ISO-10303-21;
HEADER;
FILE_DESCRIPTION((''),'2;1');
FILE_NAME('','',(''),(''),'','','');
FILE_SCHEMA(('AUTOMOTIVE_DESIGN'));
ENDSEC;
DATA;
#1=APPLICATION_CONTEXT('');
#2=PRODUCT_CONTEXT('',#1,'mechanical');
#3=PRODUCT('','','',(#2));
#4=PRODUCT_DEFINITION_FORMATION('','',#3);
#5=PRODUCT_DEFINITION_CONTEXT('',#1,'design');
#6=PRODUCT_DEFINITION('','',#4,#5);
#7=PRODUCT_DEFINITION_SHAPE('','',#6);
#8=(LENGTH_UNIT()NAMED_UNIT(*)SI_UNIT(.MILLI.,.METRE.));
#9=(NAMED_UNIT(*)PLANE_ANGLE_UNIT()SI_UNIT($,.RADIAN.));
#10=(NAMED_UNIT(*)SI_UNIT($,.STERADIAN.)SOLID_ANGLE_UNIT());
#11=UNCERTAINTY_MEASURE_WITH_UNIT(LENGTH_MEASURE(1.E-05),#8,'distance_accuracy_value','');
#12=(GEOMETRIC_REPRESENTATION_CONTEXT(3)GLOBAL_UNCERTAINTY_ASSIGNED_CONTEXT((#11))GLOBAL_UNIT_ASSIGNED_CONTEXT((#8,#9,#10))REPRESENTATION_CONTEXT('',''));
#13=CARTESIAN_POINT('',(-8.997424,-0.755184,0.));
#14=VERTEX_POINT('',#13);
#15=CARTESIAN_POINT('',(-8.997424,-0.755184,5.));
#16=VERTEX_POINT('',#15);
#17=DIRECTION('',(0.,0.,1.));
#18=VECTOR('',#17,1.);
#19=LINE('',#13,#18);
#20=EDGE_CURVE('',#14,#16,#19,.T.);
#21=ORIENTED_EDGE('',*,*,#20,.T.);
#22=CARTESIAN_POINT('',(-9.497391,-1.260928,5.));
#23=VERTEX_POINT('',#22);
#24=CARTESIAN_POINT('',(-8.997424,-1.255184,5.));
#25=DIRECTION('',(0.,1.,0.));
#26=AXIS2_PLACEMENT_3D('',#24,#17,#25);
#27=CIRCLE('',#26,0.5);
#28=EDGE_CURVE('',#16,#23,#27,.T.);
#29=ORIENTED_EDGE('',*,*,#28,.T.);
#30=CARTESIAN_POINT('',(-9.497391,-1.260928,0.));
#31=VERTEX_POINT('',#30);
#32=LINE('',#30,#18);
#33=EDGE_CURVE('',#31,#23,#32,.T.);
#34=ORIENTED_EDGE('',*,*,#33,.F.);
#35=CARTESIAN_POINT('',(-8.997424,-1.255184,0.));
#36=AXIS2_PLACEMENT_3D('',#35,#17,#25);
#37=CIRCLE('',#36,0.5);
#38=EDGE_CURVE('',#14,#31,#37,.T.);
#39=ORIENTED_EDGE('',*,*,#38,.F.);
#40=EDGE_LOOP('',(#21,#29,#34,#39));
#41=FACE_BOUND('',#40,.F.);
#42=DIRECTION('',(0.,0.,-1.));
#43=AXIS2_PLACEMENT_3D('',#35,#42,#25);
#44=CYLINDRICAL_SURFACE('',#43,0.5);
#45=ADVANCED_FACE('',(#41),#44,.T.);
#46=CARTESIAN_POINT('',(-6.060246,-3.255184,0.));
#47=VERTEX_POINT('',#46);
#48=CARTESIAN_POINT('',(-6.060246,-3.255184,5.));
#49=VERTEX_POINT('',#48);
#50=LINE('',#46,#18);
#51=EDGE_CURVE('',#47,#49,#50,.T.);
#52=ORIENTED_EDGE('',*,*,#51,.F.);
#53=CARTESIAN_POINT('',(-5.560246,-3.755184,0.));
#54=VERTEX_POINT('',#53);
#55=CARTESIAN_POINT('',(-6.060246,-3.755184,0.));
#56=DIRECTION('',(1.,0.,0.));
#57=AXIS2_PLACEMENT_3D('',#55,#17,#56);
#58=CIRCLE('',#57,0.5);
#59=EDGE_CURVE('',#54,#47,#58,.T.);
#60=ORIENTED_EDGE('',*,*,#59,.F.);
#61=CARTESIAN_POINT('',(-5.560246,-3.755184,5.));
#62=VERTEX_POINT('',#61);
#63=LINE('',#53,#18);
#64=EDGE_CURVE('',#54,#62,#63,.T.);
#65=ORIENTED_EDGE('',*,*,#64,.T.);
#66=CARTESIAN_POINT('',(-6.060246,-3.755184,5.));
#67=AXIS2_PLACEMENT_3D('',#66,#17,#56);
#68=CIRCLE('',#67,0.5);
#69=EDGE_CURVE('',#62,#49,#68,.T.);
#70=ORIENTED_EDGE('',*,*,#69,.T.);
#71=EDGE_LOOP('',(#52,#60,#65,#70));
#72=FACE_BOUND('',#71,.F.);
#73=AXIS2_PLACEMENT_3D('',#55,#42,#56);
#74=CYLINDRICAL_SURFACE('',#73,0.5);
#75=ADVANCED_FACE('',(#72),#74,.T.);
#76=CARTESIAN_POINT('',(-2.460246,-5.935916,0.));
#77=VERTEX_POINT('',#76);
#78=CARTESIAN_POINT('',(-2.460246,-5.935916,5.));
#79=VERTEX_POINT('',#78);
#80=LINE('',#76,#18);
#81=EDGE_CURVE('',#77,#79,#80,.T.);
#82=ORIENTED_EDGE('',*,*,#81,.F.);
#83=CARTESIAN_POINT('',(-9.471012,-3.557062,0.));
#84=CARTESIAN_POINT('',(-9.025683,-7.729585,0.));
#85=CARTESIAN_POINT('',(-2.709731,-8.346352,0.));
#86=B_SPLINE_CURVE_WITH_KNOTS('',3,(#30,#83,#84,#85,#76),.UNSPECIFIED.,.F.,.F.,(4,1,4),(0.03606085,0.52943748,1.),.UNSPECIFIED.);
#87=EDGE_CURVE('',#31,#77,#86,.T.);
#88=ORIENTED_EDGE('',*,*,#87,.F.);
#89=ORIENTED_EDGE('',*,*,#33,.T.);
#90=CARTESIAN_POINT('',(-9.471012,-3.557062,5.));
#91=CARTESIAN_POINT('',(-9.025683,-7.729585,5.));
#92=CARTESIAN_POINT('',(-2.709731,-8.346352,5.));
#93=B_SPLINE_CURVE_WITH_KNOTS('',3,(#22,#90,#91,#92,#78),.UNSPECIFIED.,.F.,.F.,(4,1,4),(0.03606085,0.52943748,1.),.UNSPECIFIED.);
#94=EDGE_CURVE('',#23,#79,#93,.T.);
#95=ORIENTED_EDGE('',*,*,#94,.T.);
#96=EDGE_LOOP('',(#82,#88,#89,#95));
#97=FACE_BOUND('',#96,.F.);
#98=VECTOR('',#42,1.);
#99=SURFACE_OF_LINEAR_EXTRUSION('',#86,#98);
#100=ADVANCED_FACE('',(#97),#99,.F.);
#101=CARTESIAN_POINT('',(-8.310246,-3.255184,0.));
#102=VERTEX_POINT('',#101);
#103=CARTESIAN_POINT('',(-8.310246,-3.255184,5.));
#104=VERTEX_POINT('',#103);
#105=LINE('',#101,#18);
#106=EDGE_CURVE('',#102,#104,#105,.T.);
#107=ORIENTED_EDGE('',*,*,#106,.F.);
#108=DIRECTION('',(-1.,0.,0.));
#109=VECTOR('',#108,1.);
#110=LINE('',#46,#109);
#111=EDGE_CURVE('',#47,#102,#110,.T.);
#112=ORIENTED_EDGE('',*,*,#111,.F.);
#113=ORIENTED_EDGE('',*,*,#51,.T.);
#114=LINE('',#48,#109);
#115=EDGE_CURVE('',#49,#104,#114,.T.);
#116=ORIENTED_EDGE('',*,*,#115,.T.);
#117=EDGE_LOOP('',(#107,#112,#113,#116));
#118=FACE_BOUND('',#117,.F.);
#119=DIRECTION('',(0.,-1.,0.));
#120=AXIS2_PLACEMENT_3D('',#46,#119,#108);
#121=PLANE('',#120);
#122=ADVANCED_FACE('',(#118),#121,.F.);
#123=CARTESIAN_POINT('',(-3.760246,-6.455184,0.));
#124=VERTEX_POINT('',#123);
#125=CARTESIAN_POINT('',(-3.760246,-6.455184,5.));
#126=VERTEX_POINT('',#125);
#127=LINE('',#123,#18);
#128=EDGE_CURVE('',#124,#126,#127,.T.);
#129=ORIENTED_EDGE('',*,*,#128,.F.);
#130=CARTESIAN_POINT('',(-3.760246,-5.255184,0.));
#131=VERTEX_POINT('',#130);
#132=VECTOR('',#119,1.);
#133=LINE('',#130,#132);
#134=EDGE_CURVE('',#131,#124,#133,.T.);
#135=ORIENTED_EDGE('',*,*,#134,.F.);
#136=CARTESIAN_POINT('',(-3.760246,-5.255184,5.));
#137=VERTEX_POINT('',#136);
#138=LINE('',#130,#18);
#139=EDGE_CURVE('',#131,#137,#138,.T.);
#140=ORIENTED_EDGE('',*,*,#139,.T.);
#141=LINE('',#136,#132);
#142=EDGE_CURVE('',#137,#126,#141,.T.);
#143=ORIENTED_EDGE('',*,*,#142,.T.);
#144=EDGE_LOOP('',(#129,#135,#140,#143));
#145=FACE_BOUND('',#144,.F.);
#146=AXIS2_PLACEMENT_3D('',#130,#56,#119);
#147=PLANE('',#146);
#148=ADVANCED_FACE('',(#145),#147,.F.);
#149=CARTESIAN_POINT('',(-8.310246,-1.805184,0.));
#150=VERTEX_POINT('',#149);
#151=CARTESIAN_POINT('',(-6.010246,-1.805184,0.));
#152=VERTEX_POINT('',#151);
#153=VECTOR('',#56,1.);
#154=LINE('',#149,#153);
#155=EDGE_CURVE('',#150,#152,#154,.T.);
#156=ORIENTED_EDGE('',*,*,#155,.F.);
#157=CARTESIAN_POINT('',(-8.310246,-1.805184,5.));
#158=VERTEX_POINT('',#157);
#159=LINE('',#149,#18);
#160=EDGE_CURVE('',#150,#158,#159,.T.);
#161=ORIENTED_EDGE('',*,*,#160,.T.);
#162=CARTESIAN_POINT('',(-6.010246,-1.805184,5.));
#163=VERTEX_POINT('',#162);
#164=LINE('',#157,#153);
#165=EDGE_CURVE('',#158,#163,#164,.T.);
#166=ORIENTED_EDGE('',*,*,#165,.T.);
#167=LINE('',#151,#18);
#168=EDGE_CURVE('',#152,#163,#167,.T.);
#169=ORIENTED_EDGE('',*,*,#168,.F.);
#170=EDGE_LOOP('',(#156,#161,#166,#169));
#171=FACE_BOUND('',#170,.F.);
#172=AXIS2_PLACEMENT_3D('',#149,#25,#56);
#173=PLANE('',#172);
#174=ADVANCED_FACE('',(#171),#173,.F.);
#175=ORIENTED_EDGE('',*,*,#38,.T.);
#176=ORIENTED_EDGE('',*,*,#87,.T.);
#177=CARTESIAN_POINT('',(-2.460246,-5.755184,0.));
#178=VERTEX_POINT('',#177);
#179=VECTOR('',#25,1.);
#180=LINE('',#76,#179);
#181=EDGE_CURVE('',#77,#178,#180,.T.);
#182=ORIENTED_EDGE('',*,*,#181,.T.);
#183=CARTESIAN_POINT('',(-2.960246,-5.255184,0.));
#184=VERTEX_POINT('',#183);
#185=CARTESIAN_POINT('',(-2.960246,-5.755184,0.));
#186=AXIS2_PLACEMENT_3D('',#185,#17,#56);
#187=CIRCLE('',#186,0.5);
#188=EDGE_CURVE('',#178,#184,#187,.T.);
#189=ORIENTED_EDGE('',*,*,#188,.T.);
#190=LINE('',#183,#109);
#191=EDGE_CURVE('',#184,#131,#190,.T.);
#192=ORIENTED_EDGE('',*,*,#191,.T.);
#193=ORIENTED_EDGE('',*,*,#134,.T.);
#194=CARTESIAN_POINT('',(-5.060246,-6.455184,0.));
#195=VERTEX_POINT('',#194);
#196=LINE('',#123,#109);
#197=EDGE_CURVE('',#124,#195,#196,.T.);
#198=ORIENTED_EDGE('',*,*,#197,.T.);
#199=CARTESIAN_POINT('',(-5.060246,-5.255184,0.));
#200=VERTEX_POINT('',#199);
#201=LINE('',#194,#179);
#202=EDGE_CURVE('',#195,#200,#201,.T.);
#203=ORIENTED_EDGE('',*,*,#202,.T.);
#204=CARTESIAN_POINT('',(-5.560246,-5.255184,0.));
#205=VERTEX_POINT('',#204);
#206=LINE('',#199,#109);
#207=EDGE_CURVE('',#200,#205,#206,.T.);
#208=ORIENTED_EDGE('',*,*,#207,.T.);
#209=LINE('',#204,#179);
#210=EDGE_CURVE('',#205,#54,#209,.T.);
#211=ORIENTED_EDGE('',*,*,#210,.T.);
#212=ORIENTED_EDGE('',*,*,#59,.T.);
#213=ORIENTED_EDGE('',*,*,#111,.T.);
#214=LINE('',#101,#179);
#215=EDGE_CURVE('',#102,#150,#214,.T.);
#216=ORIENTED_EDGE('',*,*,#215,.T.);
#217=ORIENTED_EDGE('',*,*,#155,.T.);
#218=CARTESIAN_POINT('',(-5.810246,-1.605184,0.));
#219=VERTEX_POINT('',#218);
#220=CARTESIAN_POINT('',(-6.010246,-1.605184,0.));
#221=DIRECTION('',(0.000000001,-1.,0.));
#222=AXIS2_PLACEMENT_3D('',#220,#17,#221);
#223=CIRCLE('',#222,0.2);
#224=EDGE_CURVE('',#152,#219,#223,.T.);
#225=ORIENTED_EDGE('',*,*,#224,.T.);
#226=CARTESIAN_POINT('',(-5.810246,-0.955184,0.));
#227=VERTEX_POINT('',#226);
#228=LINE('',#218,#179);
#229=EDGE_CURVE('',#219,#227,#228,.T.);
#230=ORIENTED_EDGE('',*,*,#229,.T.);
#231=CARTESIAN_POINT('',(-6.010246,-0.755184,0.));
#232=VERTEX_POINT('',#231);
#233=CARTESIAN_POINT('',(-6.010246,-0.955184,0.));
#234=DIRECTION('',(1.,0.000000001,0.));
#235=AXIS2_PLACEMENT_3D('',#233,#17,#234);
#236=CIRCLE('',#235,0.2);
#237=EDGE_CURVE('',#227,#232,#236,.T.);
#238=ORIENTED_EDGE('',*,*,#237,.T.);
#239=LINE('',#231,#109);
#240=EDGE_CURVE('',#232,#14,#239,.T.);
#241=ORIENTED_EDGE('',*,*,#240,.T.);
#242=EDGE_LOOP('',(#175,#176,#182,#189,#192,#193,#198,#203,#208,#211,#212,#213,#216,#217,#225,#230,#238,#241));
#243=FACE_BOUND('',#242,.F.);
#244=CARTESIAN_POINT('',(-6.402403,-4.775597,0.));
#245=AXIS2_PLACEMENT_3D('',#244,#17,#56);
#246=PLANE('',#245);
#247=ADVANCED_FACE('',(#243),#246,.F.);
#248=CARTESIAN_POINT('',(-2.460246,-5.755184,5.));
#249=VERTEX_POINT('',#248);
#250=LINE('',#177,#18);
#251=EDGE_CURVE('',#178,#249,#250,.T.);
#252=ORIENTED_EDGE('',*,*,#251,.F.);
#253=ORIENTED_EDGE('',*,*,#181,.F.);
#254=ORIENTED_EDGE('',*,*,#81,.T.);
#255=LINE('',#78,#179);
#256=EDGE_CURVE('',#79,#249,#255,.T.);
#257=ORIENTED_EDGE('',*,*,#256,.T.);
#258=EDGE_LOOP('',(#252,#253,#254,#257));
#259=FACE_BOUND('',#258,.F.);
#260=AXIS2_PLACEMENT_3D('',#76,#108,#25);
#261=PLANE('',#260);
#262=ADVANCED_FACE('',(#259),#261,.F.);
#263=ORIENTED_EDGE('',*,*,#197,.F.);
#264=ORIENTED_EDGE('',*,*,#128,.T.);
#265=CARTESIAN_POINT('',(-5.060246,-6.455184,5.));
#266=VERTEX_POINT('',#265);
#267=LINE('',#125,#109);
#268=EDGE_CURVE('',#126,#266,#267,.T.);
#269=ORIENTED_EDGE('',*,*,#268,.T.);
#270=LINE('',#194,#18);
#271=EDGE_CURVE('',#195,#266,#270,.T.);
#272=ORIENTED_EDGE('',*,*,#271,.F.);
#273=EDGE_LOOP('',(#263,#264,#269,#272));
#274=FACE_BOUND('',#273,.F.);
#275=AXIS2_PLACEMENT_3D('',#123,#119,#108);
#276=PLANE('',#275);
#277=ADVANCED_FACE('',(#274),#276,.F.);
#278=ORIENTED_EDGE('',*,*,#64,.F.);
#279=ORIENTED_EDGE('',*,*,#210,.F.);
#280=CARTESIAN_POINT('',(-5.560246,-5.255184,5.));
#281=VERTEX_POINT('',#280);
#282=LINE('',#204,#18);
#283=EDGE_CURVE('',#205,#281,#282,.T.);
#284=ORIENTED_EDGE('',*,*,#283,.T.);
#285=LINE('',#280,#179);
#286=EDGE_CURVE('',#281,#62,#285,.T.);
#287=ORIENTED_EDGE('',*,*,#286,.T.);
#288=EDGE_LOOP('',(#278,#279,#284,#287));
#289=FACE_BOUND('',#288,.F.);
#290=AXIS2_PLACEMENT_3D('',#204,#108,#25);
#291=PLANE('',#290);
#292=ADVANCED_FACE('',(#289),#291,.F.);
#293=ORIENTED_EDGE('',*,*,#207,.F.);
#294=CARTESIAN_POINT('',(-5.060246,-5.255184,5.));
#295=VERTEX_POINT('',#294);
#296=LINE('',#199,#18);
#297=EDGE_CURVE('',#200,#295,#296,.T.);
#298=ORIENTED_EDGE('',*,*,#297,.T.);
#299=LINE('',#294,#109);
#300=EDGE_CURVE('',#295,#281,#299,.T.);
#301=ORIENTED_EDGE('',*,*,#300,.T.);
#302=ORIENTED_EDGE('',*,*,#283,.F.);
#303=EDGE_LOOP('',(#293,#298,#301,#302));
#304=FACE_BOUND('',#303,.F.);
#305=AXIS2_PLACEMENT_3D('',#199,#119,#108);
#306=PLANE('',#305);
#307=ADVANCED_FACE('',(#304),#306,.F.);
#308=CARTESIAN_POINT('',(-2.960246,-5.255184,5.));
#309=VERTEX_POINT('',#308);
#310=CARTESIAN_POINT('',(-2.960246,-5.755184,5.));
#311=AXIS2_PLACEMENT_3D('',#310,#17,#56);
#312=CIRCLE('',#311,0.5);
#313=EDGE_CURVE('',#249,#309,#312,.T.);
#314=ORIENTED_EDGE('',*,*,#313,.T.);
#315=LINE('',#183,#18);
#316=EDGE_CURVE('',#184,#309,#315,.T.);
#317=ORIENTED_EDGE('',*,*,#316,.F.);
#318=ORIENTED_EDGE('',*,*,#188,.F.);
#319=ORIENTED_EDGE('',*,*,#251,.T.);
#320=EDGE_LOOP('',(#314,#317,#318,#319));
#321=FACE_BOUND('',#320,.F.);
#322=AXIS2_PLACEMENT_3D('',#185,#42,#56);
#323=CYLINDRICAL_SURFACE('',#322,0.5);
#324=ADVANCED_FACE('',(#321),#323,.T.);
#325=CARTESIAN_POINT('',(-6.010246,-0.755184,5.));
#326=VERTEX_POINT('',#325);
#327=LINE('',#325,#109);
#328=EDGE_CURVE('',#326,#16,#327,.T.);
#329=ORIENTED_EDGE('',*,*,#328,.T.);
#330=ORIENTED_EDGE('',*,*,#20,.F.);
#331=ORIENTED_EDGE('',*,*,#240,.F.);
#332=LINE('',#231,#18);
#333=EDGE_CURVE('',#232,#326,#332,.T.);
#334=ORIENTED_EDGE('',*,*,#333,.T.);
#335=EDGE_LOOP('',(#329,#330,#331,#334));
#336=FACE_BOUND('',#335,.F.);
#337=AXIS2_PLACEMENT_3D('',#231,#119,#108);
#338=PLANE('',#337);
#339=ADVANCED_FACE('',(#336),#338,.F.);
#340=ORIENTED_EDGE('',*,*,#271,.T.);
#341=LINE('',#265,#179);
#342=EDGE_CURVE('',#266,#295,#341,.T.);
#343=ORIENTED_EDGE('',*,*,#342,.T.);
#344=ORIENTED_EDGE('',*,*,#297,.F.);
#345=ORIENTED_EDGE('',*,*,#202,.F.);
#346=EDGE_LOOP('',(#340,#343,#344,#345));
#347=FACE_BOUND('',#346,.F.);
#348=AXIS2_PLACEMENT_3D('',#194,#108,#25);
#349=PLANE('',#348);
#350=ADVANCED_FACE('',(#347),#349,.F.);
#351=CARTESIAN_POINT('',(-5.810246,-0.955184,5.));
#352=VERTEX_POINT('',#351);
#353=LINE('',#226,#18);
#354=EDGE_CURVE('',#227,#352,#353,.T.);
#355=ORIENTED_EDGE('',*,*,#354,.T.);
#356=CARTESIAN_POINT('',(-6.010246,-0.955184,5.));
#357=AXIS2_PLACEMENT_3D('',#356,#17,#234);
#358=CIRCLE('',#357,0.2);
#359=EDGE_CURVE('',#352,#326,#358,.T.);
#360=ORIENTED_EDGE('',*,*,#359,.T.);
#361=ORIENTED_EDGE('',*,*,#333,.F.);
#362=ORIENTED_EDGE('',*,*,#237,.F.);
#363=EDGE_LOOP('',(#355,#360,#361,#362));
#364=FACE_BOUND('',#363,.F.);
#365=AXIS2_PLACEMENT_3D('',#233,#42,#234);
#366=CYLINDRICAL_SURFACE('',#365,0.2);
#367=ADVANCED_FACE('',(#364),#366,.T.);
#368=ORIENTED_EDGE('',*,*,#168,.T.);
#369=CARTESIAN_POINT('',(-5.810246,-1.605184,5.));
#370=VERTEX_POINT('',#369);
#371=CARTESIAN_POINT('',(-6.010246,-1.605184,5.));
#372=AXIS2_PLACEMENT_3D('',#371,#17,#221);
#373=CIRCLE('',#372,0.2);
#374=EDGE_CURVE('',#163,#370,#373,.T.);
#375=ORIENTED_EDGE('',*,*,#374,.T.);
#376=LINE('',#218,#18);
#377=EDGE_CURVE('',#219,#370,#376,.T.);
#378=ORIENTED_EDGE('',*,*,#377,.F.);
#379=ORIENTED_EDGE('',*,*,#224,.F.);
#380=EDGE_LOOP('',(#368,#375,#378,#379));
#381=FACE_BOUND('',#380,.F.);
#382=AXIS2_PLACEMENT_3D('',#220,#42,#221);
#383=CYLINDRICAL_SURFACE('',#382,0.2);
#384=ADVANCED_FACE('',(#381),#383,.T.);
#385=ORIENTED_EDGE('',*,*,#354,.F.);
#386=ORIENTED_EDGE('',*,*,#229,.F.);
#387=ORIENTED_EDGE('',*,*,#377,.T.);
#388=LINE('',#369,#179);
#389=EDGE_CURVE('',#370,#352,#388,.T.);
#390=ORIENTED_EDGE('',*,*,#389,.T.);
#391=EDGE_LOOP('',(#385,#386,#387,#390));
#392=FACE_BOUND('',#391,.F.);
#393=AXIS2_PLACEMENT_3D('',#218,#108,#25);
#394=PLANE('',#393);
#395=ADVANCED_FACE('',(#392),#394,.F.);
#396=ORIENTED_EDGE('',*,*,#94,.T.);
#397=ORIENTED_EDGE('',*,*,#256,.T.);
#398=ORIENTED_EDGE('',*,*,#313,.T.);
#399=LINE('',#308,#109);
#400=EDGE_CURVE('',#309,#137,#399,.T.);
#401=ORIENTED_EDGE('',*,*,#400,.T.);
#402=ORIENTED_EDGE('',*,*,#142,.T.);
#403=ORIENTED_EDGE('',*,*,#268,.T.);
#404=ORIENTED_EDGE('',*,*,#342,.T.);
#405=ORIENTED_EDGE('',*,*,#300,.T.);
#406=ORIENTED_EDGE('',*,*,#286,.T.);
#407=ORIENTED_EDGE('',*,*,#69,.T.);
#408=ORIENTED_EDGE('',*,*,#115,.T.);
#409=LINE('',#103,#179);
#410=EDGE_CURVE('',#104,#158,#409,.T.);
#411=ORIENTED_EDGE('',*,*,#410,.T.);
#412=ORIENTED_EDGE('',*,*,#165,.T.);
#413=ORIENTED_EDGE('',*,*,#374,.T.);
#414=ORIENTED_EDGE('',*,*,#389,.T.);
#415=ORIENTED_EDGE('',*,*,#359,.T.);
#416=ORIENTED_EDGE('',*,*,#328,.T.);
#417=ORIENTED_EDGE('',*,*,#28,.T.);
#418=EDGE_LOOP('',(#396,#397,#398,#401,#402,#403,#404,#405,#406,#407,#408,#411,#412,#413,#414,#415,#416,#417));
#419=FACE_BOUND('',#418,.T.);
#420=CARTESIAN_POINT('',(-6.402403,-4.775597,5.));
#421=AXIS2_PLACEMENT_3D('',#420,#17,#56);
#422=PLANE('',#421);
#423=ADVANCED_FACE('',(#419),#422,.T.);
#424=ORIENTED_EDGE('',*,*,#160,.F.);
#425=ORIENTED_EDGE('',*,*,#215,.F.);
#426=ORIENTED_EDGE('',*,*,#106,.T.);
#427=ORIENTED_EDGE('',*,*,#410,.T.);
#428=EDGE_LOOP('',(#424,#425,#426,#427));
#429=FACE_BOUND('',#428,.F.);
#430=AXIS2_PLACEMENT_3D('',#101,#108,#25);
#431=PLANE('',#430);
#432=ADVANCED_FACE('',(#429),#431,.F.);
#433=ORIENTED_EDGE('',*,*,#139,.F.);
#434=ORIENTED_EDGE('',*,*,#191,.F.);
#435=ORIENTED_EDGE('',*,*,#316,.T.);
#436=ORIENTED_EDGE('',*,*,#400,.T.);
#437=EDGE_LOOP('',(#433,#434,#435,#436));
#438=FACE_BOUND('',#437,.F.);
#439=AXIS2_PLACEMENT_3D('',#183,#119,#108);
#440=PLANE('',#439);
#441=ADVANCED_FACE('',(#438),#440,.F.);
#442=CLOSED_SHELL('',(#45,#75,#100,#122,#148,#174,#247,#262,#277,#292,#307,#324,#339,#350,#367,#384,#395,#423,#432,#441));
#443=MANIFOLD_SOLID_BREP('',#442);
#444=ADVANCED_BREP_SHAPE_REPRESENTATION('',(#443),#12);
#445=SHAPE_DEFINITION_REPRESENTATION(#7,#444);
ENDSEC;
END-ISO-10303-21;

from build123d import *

# Parameters (mm, degrees)
F1_DEPTH = 5


with BuildPart() as f1:
    # F0 (on Top) → F1 (new body)
    with BuildSketch(Plane.XY):
        with BuildLine():
            ThreePointArc((-2.4602462452, -5.7551839226), (-2.6066928546, -5.401630532), (-2.9602462452, -5.2551839226))
            Line((-2.9602462452, -5.2551839226), (-3.7602462452, -5.2551839226))
            Line((-3.7602462452, -5.2551839226), (-3.7602462452, -6.4551839226))
            Line((-3.7602462452, -6.4551839226), (-5.0602462452, -6.4551839226))
            Line((-5.0602462452, -6.4551839226), (-5.0602462452, -5.2551839226))
            Line((-5.0602462452, -5.2551839226), (-5.5602462452, -5.2551839226))
            Line((-5.5602462452, -5.2551839226), (-5.5602462452, -3.7551839226))
            ThreePointArc((-5.5602462452, -3.7551839226), (-5.7066928546, -3.401630532), (-6.0602462452, -3.2551839226))
            Line((-6.0602462452, -3.2551839226), (-8.3102462452, -3.2551839226))
            Line((-8.3102462452, -3.2551839226), (-8.3102462452, -1.8051839226))
            Line((-8.3102462452, -1.8051839226), (-8.3102462452, -0.7551839226))
            Line((-8.3102462452, -0.7551839226), (-8.9974236734, -0.7551839226))
            ThreePointArc((-8.9974236734, -0.7551839226), (-9.3530019854, -0.9036671178), (-9.4973906818, -1.2609276663))
            add(Edge.make_bspline(
                [(-9.4973906818, -1.2609276663), (-9.4710121308, -3.5570616405), (-9.0256832081, -7.729584534), (-2.7097307126, -8.346351926), (-2.4602462452, -5.9359164208)],
                knots=[0.0360608497, 0.0360608497, 0.0360608497, 0.0360608497, 0.5294374799, 1, 1, 1, 1], degree=3))
            Line((-2.4602462452, -5.9359164208), (-2.4602462452, -5.7551839226))
        make_face()
        with BuildLine():
            Line((-6.0102462452, -0.7551839226), (-8.3102462452, -0.7551839226))
            Line((-8.3102462452, -0.7551839226), (-8.3102462452, -1.8051839226))
            Line((-8.3102462452, -1.8051839226), (-6.0102462452, -1.8051839226))
            ThreePointArc((-6.0102462452, -1.8051839226), (-5.868824889, -1.7466052788), (-5.8102462452, -1.6051839226))
            Line((-5.8102462452, -1.6051839226), (-5.8102462452, -0.9551839226))
            ThreePointArc((-5.8102462452, -0.9551839226), (-5.868824889, -0.8137625664), (-6.0102462452, -0.7551839226))
        make_face()
    extrude(amount=F1_DEPTH)


solid = f1.part
